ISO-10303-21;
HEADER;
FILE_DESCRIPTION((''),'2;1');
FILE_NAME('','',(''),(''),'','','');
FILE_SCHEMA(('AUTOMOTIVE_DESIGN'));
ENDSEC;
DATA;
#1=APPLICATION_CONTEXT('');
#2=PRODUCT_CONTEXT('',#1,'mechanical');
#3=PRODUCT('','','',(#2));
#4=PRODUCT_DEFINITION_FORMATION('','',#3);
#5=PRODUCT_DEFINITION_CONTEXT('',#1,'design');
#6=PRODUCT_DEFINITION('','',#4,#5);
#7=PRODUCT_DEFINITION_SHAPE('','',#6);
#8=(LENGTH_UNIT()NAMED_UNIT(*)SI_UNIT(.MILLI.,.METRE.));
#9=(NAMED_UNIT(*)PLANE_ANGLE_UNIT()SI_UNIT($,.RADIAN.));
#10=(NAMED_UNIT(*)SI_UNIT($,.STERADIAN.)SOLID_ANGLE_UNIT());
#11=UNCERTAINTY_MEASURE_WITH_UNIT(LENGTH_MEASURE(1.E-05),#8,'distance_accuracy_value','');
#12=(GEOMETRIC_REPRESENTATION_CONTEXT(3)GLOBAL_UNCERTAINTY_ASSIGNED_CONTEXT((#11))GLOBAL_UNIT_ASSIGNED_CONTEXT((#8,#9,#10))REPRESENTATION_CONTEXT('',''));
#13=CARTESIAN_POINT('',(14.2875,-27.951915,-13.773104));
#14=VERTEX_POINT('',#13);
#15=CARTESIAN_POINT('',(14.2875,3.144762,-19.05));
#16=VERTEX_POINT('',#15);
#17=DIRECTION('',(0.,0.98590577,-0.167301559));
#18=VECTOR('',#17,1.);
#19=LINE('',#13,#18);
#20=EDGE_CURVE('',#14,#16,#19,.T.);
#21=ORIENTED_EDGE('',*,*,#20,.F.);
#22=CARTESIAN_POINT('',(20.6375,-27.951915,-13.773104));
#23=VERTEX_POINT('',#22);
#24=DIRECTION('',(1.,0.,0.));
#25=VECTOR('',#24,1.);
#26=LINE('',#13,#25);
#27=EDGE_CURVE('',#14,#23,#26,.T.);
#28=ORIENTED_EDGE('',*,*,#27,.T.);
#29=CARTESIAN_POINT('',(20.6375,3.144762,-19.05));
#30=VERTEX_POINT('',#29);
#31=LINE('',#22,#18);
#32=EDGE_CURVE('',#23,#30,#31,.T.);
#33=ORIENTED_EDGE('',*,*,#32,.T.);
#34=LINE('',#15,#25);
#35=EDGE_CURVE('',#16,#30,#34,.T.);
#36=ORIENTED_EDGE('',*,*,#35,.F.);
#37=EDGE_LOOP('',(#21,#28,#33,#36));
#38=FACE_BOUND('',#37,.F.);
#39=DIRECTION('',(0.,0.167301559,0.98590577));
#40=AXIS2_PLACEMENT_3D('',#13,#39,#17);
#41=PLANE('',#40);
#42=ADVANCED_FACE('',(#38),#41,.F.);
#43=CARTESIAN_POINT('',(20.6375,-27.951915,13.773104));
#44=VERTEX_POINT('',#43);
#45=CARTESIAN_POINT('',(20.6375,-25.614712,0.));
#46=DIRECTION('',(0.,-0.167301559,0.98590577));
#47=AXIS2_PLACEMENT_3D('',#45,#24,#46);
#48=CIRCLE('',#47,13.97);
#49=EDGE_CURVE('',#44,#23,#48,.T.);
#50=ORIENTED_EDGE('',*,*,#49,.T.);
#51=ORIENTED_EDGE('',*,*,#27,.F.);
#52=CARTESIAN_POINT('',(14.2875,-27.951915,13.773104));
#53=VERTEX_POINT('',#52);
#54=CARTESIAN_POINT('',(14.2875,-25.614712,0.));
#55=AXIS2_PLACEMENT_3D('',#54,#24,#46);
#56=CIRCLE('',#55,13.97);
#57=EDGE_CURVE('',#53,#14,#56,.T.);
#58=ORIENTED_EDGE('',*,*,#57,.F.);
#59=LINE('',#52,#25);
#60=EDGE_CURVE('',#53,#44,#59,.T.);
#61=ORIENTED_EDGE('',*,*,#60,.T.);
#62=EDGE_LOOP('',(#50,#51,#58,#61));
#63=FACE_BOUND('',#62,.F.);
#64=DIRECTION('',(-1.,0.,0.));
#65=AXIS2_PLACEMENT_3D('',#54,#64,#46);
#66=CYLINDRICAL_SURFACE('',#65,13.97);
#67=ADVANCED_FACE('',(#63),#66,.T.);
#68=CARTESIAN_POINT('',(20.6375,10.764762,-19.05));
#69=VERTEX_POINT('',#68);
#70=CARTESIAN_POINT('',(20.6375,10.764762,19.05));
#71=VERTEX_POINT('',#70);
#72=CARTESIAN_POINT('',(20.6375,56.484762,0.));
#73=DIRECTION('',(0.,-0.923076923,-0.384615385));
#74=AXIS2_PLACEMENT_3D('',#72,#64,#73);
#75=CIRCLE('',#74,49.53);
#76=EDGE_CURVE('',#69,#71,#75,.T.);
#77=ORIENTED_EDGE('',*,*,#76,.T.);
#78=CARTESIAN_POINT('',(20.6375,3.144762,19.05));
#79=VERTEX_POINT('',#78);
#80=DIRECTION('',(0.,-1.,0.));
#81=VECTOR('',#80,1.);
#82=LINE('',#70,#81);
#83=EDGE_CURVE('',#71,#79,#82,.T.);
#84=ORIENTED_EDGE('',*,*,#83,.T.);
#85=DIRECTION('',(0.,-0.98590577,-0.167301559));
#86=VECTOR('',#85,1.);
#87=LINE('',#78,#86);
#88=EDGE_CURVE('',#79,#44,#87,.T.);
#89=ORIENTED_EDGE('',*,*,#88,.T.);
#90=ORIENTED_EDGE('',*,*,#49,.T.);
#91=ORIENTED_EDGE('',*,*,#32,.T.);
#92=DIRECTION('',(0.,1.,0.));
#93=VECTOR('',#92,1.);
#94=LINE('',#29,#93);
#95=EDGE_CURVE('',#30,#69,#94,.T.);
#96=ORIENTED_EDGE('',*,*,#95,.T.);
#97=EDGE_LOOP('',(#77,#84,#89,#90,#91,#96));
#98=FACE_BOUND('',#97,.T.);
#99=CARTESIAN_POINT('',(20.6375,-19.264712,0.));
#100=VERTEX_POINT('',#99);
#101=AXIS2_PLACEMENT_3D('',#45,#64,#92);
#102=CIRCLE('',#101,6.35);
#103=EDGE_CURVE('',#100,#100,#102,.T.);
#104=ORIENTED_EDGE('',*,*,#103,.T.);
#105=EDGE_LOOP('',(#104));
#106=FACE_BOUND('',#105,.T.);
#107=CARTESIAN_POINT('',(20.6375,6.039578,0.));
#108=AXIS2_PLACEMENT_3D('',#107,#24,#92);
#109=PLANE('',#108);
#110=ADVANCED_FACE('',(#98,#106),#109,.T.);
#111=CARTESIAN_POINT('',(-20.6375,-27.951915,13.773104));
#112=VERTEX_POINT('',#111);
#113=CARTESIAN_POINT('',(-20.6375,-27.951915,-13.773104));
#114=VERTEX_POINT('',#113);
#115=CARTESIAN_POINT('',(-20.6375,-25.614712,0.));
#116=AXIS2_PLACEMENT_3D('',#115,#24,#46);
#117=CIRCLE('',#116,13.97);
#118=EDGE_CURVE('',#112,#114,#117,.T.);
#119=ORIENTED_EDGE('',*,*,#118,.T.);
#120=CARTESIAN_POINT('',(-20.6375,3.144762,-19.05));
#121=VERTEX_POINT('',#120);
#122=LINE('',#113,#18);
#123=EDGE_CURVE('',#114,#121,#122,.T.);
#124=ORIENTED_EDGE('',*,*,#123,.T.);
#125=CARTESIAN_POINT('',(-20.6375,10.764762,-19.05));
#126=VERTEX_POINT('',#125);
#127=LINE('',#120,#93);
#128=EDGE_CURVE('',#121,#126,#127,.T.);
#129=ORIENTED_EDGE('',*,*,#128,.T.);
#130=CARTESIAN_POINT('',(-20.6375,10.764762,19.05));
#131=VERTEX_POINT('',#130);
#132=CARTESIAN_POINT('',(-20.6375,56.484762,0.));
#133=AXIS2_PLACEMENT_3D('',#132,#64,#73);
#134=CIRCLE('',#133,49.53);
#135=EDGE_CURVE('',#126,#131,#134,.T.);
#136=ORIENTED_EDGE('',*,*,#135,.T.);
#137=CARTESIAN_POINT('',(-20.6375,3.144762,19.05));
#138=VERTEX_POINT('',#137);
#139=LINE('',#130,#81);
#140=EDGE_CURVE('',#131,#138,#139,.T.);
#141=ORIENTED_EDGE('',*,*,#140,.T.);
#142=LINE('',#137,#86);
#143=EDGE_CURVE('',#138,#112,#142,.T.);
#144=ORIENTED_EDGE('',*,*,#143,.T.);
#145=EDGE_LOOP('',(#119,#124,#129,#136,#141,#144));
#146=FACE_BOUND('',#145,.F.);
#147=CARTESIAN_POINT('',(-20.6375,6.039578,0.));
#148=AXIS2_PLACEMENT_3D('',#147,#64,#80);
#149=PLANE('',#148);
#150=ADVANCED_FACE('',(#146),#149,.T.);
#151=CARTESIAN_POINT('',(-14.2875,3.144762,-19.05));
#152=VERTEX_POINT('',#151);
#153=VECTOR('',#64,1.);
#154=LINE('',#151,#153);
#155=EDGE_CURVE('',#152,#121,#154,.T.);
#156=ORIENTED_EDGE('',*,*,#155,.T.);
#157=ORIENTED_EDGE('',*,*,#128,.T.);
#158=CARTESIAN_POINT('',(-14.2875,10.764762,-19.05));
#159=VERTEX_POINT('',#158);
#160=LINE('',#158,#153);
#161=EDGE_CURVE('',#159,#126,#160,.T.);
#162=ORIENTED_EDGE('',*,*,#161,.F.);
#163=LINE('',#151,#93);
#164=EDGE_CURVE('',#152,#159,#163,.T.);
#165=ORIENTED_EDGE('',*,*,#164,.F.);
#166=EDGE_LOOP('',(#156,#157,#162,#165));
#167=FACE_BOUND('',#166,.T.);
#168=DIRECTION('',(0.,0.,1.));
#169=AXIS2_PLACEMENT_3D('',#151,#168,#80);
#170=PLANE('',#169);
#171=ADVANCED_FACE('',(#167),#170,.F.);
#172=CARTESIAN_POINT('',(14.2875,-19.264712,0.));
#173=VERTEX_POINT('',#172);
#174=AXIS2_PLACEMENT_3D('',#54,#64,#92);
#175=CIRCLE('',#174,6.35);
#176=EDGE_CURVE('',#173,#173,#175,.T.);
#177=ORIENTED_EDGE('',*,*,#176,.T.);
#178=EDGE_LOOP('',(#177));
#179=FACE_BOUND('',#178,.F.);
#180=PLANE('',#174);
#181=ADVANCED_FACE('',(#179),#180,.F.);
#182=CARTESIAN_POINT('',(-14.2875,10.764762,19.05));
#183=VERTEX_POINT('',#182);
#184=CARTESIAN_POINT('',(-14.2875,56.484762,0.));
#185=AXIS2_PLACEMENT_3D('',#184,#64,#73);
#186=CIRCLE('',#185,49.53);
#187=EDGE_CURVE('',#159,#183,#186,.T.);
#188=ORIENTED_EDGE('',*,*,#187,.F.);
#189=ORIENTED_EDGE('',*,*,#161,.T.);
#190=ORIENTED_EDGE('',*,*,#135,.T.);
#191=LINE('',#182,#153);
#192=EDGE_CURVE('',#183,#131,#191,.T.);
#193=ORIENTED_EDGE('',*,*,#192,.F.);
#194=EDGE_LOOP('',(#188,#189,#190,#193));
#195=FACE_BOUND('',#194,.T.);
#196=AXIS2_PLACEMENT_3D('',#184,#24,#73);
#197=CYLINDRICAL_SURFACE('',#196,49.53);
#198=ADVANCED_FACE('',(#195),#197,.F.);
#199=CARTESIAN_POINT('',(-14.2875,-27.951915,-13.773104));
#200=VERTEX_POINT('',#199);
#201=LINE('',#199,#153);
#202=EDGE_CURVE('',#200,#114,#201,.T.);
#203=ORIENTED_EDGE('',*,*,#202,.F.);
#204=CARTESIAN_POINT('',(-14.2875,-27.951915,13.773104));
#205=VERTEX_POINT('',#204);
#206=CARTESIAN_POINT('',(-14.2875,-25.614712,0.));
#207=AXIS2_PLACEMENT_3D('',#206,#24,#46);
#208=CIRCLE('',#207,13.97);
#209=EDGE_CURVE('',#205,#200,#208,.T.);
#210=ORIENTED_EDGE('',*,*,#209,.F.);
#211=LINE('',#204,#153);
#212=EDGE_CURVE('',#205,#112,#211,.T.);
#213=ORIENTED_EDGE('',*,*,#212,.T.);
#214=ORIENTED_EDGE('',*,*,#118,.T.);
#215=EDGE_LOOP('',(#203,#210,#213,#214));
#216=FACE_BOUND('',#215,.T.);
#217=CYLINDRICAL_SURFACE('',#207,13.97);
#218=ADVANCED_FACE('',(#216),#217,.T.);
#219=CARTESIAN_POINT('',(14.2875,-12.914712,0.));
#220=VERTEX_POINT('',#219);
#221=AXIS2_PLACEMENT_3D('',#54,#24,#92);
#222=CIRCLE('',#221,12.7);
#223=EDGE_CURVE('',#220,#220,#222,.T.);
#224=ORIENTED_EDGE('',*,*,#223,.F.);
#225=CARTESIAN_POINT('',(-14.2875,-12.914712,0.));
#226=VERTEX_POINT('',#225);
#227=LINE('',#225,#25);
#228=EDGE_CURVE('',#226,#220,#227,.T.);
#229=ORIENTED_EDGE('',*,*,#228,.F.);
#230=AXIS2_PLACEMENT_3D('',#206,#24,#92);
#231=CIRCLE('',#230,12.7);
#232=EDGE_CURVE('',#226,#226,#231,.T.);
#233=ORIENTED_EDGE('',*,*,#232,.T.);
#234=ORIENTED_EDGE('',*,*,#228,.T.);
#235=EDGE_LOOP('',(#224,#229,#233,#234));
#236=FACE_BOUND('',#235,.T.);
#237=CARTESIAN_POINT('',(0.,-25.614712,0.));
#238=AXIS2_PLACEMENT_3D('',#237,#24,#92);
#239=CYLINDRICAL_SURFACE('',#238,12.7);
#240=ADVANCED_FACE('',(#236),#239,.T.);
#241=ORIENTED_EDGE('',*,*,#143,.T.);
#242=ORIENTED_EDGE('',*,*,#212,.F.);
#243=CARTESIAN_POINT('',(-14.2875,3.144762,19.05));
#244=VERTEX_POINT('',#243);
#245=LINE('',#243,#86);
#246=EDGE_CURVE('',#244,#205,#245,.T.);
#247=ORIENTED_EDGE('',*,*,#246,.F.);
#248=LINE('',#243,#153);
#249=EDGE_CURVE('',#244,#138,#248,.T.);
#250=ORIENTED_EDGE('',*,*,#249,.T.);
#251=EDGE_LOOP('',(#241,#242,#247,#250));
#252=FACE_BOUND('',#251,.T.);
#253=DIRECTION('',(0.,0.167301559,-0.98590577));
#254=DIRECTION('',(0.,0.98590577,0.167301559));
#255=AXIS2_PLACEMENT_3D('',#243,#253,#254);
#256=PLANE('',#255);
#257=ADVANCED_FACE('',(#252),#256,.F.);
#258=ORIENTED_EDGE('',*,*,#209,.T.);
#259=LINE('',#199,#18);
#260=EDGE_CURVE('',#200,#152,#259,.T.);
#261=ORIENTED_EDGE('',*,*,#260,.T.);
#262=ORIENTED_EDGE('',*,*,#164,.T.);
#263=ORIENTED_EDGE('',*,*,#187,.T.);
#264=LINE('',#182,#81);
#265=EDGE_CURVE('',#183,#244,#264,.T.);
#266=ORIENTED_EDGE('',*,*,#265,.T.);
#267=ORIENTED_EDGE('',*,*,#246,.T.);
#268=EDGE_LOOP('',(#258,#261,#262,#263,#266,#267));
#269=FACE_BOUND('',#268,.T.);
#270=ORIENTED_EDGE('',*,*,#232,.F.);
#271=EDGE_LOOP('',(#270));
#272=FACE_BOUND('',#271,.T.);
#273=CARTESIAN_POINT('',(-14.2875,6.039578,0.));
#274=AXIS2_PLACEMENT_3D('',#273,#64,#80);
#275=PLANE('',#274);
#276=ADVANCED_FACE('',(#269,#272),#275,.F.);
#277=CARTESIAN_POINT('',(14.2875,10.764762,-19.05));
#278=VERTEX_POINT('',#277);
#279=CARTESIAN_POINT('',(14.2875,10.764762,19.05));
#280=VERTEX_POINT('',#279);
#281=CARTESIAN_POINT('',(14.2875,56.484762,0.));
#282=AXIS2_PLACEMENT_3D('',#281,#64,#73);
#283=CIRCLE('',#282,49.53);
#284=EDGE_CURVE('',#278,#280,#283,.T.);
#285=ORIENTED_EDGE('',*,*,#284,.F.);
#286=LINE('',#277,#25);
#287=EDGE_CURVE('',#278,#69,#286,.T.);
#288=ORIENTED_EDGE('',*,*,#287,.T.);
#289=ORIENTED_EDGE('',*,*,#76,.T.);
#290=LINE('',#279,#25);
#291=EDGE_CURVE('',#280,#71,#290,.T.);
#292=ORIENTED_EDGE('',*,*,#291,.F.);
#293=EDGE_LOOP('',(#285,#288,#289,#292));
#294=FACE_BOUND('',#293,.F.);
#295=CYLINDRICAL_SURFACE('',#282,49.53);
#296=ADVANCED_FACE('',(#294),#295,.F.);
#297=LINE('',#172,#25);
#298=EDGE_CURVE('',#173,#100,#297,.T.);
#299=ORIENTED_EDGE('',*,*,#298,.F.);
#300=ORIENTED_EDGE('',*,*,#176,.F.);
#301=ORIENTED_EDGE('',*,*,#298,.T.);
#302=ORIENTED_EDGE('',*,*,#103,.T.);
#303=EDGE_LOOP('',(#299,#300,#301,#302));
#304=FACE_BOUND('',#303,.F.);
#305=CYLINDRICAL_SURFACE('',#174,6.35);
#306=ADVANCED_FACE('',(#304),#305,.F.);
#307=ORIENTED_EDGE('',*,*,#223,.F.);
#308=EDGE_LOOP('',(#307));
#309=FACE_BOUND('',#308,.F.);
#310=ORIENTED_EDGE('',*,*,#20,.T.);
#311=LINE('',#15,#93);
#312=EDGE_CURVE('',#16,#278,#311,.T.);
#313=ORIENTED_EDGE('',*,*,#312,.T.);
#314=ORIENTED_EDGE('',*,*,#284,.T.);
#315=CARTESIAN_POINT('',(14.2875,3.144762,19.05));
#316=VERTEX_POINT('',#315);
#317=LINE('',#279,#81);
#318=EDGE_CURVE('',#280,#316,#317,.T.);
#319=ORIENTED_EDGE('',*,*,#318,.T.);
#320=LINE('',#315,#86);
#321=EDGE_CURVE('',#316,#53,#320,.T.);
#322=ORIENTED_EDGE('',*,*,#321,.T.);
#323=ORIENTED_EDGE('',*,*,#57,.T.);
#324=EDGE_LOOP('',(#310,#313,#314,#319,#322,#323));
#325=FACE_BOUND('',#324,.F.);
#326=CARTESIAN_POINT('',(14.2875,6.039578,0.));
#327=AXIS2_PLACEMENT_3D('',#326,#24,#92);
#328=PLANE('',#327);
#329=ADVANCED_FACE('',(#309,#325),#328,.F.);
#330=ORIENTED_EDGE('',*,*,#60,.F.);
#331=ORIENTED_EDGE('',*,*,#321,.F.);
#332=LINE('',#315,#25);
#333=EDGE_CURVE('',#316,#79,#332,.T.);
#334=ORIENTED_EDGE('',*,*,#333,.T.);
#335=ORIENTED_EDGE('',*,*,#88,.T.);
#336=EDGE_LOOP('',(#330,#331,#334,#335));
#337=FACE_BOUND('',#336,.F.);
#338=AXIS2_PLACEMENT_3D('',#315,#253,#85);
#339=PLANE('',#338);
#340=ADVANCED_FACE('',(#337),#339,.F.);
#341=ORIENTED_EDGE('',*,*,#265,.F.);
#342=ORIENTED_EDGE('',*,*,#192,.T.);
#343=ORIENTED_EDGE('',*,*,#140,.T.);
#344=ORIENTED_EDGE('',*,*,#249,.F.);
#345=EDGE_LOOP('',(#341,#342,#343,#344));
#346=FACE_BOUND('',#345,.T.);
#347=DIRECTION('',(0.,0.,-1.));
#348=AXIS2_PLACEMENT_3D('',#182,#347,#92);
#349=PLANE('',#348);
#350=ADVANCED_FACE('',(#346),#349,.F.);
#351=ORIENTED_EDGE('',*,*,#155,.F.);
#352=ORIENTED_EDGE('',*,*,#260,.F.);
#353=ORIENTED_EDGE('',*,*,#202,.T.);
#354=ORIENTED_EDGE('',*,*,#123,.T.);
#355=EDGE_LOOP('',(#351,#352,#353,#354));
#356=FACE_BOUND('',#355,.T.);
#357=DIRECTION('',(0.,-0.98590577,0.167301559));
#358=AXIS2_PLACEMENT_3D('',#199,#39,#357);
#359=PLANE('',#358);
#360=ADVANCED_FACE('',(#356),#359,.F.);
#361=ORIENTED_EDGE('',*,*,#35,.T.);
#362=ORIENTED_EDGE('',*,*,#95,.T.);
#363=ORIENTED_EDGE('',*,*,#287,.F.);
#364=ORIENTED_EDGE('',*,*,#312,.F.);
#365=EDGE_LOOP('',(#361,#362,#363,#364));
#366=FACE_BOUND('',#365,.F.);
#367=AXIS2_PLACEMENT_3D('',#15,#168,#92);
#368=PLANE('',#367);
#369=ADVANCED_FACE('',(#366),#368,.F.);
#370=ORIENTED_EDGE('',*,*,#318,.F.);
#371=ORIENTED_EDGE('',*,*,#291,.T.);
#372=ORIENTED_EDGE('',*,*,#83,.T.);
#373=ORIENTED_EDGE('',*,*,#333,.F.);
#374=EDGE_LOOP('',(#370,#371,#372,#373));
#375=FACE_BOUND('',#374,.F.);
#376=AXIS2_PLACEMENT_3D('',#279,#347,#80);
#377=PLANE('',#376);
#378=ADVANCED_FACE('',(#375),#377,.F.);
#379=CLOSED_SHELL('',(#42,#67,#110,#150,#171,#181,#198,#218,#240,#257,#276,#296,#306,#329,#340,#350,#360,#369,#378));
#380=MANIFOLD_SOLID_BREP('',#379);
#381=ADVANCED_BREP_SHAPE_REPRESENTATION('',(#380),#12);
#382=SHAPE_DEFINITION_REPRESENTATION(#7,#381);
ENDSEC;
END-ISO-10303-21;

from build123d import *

# Parameters (mm, degrees)
F0_R     = 12.7
F1_DEPTH = 14.2875
F2_R     = 12.7
F3_DEPTH = 6.35
F5_D     = 12.7
F5_DEPTH = 12.7
F5_TIP   = 3.8154649308


with BuildPart() as f1:
    # F0 (on Right) → F1 (new body, symmetric)
    with BuildSketch(Plane.YZ):
        with Locations((-25.6147123873, 0)):
            Circle(F0_R)
    extrude(amount=F1_DEPTH, both=True)

    # F2 (on face) → F3 (join)
    with BuildSketch(Plane.YZ.offset(14.2875)):
        with BuildLine():
            Line((10.7647620756, 19.05), (3.1447620756, 19.05))
            Line((3.1447620756, 19.05), (3.1447620756, -19.05))
            Line((3.1447620756, -19.05), (10.7647620756, -19.05))
            ThreePointArc((10.7647620756, -19.05), (6.9547620756, 0), (10.7647620756, 19.05))
        make_face()
        with BuildLine():
            Line((3.1447620756, -19.05), (3.1447620756, 19.05))
            Line((3.1447620756, 19.05), (-27.951915173, 13.7731036131))
            ThreePointArc((-27.951915173, 13.7731036131), (-16.6005519416, 10.672666558), (-11.6447123873, 0))
            ThreePointArc((-11.6447123873, 0), (-16.6005519416, -10.672666558), (-27.951915173, -13.7731036131))
            Line((-27.951915173, -13.7731036131), (3.1447620756, -19.05))
        make_face()
        with BuildLine():
            ThreePointArc((-11.6447123873, 0), (-16.6005519416, 10.672666558), (-27.951915173, 13.7731036131))
            ThreePointArc((-27.951915173, 13.7731036131), (-39.5847123873, 0), (-27.951915173, -13.7731036131))
            ThreePointArc((-27.951915173, -13.7731036131), (-16.6005519416, -10.672666558), (-11.6447123873, 0))
        make_face()
        with Locations((-25.6147123873, 0)):
            Circle(F2_R, mode=Mode.SUBTRACT)
        with Locations((-25.6147123873, 0)):
            Circle(F2_R)
    extrude(amount=F3_DEPTH)

    # F4: F1 across plane


with BuildPart() as f1_1:
    add(f1.part)
    add(f1.part.mirror(Plane.YZ))

    # F5 (one way)
    with BuildSketch(Plane(origin=(14.2875, 0, 0), x_dir=(0, 1, 0), z_dir=(-1, 0, 0))):
        with Locations((-25.6147123873, 0)):
            Circle(F5_D / 2)
    extrude(amount=-F5_DEPTH, mode=Mode.SUBTRACT)
    with Locations(Plane(origin=(14.2875, 0, 0), x_dir=(0, 1, 0), z_dir=(-1, 0, 0))):
        with Locations((-25.6147123873, 0)):
            with Locations((0, 0, -(F5_DEPTH + F5_TIP / 2))):  # 118° drill point
                Cone(0, F5_D / 2, F5_TIP, mode=Mode.SUBTRACT)


solid = f1_1.part
